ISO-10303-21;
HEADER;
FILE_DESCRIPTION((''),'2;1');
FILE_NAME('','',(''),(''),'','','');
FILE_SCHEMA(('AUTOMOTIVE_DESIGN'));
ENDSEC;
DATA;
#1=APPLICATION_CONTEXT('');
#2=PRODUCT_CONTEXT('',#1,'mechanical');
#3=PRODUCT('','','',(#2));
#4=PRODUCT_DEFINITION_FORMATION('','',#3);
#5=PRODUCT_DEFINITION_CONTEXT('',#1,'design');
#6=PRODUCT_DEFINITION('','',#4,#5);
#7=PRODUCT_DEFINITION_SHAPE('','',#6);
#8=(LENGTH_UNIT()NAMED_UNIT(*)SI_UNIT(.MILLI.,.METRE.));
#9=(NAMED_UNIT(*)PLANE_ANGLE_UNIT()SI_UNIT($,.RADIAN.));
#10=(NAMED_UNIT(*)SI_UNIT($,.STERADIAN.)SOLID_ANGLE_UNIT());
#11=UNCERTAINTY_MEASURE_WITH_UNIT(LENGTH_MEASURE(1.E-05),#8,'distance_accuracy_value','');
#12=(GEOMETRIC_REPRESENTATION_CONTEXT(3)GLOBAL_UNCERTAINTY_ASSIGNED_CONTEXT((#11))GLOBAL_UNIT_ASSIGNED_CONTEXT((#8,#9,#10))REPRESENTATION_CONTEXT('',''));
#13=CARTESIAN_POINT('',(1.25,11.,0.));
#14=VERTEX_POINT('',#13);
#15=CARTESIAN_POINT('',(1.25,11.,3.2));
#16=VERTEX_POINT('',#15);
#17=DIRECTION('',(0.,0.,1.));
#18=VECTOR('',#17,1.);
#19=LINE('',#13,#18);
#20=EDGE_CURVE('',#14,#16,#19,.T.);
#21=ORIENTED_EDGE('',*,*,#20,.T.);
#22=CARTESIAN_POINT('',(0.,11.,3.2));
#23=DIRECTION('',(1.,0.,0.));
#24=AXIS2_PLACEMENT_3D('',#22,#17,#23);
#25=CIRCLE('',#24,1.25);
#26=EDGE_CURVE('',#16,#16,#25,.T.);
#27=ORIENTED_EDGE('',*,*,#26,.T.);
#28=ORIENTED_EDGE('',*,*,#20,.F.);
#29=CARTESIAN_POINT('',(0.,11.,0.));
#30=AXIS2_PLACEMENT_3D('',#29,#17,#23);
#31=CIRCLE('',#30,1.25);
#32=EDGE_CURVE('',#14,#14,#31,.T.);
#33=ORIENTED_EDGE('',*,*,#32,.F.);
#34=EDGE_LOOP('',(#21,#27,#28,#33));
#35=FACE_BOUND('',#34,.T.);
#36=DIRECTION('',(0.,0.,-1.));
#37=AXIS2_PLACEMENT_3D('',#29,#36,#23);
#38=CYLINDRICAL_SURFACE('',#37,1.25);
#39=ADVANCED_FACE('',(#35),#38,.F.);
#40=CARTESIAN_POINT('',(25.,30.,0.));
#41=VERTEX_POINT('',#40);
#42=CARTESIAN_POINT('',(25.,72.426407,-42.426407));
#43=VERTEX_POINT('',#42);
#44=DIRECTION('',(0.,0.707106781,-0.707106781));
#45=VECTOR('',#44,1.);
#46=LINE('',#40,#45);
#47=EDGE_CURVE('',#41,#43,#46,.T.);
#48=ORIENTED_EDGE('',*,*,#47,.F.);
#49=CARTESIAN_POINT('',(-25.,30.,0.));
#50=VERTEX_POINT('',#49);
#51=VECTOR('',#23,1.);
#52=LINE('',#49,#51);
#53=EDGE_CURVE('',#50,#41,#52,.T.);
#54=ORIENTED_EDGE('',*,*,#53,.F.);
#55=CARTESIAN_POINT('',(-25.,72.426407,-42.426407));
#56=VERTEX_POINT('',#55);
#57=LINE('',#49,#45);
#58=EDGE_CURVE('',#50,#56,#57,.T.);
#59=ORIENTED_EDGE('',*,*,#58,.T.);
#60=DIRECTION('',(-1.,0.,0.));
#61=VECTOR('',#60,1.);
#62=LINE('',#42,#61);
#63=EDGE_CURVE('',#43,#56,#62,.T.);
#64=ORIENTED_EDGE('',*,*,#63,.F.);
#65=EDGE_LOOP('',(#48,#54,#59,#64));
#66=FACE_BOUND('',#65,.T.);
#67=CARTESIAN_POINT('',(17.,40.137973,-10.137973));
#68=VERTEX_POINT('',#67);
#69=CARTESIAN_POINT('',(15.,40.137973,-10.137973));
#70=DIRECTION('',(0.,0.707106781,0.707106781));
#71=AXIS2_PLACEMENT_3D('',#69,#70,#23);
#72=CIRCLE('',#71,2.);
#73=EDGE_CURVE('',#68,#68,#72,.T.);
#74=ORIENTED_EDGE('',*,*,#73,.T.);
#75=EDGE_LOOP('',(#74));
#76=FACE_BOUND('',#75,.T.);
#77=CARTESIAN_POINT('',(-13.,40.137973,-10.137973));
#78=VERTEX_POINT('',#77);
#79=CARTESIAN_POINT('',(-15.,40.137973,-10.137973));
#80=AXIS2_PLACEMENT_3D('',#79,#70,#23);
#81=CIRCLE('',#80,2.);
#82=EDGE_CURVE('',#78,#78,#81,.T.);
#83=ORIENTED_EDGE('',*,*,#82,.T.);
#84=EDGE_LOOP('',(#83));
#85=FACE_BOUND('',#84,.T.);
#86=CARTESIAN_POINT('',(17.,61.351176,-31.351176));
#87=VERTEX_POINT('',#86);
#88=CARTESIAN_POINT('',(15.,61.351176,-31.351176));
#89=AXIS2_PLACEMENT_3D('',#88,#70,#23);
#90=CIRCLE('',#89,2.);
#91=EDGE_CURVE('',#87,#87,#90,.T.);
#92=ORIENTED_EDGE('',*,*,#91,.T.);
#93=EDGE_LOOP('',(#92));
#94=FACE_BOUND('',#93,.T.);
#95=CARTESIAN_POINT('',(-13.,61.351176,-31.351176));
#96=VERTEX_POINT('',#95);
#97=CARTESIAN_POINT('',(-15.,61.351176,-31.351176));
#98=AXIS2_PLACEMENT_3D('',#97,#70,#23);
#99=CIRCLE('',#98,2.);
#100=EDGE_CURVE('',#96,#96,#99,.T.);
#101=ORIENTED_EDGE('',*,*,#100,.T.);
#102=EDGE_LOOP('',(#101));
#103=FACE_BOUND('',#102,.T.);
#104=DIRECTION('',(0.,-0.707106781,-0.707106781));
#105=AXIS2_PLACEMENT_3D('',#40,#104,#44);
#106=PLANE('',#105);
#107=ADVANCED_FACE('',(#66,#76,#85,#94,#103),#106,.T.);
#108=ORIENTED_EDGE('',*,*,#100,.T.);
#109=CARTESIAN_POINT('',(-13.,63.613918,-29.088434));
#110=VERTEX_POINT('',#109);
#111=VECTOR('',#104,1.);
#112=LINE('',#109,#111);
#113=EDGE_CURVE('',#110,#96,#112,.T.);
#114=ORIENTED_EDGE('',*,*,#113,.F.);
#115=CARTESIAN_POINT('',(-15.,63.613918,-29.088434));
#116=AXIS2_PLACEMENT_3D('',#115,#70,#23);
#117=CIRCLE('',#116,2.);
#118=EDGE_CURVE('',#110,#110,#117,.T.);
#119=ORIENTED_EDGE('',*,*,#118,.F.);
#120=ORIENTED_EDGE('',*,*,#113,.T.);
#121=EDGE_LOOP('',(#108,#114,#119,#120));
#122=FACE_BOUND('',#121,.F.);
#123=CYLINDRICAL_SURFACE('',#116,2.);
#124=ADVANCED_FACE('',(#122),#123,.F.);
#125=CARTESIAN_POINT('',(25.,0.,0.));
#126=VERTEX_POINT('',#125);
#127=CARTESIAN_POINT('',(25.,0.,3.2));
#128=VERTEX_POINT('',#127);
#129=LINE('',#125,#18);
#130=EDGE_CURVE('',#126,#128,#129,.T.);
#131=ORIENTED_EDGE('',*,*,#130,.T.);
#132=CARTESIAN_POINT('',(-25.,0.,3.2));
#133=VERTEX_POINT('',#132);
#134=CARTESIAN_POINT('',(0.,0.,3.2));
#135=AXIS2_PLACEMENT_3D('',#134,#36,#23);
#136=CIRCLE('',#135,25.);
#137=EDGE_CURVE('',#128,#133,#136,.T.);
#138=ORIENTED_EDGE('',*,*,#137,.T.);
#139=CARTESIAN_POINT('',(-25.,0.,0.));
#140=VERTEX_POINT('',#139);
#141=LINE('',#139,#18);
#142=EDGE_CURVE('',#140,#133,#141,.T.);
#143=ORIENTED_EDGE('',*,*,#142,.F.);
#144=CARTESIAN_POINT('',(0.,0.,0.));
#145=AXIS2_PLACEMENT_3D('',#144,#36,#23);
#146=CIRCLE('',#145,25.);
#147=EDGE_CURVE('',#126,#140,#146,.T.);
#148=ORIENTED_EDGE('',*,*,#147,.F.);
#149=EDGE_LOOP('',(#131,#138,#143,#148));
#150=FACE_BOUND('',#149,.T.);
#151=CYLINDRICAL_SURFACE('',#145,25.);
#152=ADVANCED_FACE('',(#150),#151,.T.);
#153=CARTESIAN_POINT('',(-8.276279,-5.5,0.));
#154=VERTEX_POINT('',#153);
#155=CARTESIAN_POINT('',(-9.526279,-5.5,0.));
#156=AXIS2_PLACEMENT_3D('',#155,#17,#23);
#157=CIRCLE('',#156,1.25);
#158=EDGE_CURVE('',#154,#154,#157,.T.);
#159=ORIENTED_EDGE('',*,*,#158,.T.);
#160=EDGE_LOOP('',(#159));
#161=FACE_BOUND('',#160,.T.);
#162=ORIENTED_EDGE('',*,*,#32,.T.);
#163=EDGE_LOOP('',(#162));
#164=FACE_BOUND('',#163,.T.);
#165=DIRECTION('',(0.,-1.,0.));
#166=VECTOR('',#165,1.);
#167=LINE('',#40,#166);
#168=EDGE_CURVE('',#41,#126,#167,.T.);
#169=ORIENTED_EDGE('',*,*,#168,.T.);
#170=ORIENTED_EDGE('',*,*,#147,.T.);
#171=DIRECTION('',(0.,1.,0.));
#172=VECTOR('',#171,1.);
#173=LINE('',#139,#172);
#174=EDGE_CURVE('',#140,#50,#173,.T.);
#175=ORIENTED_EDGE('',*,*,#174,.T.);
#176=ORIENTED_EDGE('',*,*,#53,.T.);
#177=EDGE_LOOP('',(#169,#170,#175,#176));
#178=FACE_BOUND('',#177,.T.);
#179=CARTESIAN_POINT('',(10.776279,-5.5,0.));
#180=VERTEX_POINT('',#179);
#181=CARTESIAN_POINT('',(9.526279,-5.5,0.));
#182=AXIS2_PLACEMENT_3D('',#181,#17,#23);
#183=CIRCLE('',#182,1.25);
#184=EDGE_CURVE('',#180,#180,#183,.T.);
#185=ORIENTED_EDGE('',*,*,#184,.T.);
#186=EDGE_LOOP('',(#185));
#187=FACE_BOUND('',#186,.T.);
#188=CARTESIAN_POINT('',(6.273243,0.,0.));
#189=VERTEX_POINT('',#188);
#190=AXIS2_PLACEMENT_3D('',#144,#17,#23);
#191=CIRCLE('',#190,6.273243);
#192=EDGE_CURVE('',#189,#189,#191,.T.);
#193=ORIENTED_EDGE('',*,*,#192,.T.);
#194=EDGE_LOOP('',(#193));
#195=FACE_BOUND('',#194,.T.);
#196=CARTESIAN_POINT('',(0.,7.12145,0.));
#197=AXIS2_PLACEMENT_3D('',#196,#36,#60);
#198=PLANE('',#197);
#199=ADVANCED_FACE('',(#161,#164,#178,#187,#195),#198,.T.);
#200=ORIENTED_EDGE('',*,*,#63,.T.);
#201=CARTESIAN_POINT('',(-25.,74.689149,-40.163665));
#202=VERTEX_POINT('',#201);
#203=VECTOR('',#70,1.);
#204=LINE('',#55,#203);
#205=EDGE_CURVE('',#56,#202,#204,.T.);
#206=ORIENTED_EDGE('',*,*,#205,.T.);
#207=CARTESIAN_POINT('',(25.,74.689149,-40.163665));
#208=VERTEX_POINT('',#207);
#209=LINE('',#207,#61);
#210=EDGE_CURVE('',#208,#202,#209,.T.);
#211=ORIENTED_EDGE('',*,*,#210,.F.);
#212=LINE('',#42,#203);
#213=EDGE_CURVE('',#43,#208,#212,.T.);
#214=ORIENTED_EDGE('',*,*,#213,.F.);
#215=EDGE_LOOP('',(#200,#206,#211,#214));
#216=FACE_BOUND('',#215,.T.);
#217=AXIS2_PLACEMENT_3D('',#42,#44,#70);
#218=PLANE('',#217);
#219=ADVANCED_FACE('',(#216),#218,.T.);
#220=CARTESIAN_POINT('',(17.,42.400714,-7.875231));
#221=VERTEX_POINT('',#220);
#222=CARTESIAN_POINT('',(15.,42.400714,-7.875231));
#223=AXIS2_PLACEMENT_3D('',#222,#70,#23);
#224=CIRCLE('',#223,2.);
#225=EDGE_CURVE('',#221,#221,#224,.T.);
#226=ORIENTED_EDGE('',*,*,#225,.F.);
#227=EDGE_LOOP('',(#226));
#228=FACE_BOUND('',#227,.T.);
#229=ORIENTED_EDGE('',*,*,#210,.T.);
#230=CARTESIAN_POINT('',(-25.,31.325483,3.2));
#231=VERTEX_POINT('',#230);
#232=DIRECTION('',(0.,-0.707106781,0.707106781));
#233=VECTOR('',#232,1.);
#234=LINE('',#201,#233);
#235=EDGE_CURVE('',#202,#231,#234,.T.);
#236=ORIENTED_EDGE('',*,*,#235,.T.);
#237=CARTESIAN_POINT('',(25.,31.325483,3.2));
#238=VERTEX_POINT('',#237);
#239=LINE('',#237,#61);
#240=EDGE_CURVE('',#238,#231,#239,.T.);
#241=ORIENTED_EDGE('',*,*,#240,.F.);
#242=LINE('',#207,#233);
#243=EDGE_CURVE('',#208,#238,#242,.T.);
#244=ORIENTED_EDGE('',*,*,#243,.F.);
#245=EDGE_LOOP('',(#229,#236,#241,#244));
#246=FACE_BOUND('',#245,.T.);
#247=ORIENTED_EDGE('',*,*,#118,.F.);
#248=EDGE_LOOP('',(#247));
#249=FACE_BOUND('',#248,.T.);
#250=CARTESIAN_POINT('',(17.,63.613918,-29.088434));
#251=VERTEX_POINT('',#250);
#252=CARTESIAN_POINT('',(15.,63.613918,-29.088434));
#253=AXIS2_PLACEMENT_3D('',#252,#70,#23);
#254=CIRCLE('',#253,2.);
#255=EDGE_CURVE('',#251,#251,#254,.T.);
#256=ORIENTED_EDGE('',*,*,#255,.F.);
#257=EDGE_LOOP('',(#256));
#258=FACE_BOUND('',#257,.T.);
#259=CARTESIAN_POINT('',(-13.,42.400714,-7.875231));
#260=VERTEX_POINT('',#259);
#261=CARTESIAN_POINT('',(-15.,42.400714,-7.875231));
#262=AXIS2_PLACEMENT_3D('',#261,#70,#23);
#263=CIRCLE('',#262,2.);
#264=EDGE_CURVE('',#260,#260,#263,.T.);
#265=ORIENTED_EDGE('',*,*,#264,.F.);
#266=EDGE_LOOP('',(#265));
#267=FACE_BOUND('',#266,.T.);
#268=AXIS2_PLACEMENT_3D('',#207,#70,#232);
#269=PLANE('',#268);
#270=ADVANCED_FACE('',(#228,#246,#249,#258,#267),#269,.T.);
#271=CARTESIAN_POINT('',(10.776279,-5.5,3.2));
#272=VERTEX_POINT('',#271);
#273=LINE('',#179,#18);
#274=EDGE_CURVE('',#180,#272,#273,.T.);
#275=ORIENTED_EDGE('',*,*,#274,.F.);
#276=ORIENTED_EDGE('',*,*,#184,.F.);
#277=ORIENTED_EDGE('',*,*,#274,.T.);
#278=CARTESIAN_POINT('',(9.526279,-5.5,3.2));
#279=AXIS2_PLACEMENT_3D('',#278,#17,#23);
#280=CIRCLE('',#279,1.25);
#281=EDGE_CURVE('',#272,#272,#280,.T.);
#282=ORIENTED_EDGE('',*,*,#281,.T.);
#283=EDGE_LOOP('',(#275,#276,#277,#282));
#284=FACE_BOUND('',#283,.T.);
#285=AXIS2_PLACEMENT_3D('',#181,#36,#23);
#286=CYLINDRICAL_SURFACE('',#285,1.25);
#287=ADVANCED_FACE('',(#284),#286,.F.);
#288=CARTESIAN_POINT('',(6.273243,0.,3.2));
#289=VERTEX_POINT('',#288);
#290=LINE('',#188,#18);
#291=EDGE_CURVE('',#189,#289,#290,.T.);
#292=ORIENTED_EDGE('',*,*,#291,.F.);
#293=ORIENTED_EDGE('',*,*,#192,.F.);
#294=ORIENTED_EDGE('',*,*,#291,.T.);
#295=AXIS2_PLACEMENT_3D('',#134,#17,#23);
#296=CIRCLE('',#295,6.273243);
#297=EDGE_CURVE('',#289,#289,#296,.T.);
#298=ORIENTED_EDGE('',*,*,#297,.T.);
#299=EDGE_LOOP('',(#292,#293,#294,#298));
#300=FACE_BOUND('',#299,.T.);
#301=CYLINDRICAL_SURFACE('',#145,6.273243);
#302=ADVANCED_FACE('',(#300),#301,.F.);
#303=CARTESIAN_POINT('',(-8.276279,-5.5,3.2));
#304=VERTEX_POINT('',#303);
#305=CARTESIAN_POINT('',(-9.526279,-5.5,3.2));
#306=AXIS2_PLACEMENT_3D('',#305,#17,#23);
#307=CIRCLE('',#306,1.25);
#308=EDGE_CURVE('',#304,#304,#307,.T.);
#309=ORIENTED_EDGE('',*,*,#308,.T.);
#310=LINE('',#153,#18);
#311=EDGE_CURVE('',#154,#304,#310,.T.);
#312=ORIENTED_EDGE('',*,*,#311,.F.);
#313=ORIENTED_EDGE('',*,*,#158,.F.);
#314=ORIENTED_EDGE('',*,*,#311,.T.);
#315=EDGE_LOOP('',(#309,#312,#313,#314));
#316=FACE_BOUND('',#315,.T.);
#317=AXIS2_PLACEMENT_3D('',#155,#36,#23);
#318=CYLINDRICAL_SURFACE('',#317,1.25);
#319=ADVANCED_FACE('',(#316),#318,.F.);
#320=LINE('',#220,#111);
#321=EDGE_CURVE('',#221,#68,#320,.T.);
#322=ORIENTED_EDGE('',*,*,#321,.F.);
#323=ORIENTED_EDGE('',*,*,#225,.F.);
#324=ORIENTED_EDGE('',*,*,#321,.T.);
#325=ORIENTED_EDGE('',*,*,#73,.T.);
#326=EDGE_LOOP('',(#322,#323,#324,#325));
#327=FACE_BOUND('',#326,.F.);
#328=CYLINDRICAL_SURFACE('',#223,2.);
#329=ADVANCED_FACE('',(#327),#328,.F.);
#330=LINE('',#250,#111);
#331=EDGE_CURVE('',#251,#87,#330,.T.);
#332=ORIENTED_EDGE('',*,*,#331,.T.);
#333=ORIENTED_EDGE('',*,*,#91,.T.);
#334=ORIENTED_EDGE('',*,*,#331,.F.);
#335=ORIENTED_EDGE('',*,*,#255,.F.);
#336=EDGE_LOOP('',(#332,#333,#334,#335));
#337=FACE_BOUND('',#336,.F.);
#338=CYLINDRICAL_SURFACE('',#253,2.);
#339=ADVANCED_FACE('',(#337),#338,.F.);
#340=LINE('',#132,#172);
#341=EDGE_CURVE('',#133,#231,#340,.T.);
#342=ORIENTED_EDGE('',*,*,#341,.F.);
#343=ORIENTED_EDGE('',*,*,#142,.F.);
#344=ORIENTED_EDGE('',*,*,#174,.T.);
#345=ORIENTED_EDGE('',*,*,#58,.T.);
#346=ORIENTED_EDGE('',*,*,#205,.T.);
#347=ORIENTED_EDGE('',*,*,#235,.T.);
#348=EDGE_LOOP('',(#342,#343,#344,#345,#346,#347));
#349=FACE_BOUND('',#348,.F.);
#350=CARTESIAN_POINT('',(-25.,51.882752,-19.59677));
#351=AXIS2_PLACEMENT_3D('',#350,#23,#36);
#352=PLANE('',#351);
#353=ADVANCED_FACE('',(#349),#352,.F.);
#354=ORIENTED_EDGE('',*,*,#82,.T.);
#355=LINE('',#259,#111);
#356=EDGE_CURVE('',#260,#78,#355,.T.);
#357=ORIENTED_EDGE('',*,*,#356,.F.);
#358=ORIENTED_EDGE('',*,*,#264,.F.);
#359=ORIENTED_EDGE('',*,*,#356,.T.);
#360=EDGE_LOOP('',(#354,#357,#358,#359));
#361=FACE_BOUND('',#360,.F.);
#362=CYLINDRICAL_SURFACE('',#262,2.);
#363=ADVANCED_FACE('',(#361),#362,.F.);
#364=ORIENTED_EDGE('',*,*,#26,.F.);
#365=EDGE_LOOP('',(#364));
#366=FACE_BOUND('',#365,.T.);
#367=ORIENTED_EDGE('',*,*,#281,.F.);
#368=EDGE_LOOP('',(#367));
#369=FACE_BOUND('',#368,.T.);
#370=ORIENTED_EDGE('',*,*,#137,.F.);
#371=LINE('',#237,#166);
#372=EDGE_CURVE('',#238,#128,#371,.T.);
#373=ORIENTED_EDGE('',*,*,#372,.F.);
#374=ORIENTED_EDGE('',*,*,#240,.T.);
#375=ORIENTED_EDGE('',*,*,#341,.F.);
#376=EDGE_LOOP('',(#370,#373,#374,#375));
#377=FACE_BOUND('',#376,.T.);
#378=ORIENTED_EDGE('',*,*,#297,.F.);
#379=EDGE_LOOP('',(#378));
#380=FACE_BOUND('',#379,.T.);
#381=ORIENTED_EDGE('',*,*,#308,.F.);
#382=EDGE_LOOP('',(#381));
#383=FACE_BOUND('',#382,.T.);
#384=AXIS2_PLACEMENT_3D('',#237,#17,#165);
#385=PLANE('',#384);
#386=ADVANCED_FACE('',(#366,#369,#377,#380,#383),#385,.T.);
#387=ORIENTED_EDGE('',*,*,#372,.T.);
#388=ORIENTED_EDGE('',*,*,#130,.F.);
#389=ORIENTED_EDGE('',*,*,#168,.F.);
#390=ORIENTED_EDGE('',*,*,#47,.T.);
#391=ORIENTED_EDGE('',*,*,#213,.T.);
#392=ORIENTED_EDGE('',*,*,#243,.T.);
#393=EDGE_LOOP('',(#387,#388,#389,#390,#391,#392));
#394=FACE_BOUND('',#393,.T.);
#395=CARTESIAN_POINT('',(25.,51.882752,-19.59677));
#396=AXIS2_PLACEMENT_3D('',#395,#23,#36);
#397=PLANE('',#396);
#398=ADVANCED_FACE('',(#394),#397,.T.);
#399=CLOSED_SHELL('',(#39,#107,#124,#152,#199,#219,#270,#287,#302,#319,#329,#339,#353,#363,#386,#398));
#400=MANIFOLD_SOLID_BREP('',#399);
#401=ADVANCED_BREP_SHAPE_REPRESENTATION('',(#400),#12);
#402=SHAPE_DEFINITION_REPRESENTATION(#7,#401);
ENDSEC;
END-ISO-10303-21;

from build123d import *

# Parameters (mm, degrees)
SKETCH1_R           = 6.273243026
SKETCH1_R_2         = 1.25
BOSS_EXTRUDE1_DEPTH = 3.2
BOSS_EXTRUDE2_DEPTH = 50
CUT_EXTRUDE1_REACH  = 74.091
SKETCH3_R           = 2


with BuildPart() as part:
    # Sketch1 → Boss-Extrude1 (new body)
    with BuildSketch(Plane.XY):
        with BuildLine():
            Line((-25, 0), (-25, 30))
            Line((-25, 30), (25, 30))
            Line((25, 30), (25, 0))
            ThreePointArc((25, 0), (0, -25), (-25, 0))
        make_face()
        Circle(SKETCH1_R, mode=Mode.SUBTRACT)
        with Locations((0, 11)):
            Circle(SKETCH1_R_2, mode=Mode.SUBTRACT)
        with Locations((9.526279442, -5.5)):
            Circle(SKETCH1_R_2, mode=Mode.SUBTRACT)
        with Locations((-9.526279442, -5.5)):
            Circle(SKETCH1_R_2, mode=Mode.SUBTRACT)
    extrude(amount=BOSS_EXTRUDE1_DEPTH)

    # Sketch2 → Boss-Extrude2 (add)
    with BuildSketch(Plane(origin=(25, 0, 0), x_dir=(0, 0, -1), z_dir=(1, 0, 0))):
        Polygon((0, 30), (42.426406871, 72.426406871), (40.163665171, 74.689148571), (-3.2, 31.3254834), (-3.2, 30), align=None)
    extrude(amount=-BOSS_EXTRUDE2_DEPTH)

    # Sketch3 → Cut-Extrude1 (cut, up to next)
    with BuildSketch(Plane(origin=(0, 17.2627417, 17.2627417), x_dir=(1, 0, 0), z_dir=(0, 0.707106781, 0.707106781)), mode=Mode.PRIVATE) as cut_extrude1_sk1:
        with Locations((15, 65.550461736)):
            Circle(SKETCH3_R)
    cut_extrude1_tool1 = extrude(cut_extrude1_sk1.sketch, amount=-CUT_EXTRUDE1_REACH, mode=Mode.PRIVATE) & part.part
    add(cut_extrude1_tool1.solids().sort_by_distance((15, 63.613918, -29.088434))[0], mode=Mode.SUBTRACT)
    # Sketch3 → Cut-Extrude1 (cut, up to next)
    with BuildSketch(Plane(origin=(0, 17.2627417, 17.2627417), x_dir=(1, 0, 0), z_dir=(0, 0.707106781, 0.707106781)), mode=Mode.PRIVATE) as cut_extrude1_sk2:
        with Locations((15, 35.550461736)):
            Circle(SKETCH3_R)
    cut_extrude1_tool2 = extrude(cut_extrude1_sk2.sketch, amount=-CUT_EXTRUDE1_REACH, mode=Mode.PRIVATE) & part.part
    add(cut_extrude1_tool2.solids().sort_by_distance((15, 42.400714, -7.875231))[0], mode=Mode.SUBTRACT)
    # Sketch3 → Cut-Extrude1 (cut, up to next)
    with BuildSketch(Plane(origin=(0, 17.2627417, 17.2627417), x_dir=(1, 0, 0), z_dir=(0, 0.707106781, 0.707106781)), mode=Mode.PRIVATE) as cut_extrude1_sk3:
        with Locations((-15, 65.550461736)):
            Circle(SKETCH3_R)
    cut_extrude1_tool3 = extrude(cut_extrude1_sk3.sketch, amount=-CUT_EXTRUDE1_REACH, mode=Mode.PRIVATE) & part.part
    add(cut_extrude1_tool3.solids().sort_by_distance((-15, 63.613918, -29.088434))[0], mode=Mode.SUBTRACT)
    # Sketch3 → Cut-Extrude1 (cut, up to next)
    with BuildSketch(Plane(origin=(0, 17.2627417, 17.2627417), x_dir=(1, 0, 0), z_dir=(0, 0.707106781, 0.707106781)), mode=Mode.PRIVATE) as cut_extrude1_sk4:
        with Locations((-15, 35.550461736)):
            Circle(SKETCH3_R)
    cut_extrude1_tool4 = extrude(cut_extrude1_sk4.sketch, amount=-CUT_EXTRUDE1_REACH, mode=Mode.PRIVATE) & part.part
    add(cut_extrude1_tool4.solids().sort_by_distance((-15, 42.400714, -7.875231))[0], mode=Mode.SUBTRACT)


solid = part.part
